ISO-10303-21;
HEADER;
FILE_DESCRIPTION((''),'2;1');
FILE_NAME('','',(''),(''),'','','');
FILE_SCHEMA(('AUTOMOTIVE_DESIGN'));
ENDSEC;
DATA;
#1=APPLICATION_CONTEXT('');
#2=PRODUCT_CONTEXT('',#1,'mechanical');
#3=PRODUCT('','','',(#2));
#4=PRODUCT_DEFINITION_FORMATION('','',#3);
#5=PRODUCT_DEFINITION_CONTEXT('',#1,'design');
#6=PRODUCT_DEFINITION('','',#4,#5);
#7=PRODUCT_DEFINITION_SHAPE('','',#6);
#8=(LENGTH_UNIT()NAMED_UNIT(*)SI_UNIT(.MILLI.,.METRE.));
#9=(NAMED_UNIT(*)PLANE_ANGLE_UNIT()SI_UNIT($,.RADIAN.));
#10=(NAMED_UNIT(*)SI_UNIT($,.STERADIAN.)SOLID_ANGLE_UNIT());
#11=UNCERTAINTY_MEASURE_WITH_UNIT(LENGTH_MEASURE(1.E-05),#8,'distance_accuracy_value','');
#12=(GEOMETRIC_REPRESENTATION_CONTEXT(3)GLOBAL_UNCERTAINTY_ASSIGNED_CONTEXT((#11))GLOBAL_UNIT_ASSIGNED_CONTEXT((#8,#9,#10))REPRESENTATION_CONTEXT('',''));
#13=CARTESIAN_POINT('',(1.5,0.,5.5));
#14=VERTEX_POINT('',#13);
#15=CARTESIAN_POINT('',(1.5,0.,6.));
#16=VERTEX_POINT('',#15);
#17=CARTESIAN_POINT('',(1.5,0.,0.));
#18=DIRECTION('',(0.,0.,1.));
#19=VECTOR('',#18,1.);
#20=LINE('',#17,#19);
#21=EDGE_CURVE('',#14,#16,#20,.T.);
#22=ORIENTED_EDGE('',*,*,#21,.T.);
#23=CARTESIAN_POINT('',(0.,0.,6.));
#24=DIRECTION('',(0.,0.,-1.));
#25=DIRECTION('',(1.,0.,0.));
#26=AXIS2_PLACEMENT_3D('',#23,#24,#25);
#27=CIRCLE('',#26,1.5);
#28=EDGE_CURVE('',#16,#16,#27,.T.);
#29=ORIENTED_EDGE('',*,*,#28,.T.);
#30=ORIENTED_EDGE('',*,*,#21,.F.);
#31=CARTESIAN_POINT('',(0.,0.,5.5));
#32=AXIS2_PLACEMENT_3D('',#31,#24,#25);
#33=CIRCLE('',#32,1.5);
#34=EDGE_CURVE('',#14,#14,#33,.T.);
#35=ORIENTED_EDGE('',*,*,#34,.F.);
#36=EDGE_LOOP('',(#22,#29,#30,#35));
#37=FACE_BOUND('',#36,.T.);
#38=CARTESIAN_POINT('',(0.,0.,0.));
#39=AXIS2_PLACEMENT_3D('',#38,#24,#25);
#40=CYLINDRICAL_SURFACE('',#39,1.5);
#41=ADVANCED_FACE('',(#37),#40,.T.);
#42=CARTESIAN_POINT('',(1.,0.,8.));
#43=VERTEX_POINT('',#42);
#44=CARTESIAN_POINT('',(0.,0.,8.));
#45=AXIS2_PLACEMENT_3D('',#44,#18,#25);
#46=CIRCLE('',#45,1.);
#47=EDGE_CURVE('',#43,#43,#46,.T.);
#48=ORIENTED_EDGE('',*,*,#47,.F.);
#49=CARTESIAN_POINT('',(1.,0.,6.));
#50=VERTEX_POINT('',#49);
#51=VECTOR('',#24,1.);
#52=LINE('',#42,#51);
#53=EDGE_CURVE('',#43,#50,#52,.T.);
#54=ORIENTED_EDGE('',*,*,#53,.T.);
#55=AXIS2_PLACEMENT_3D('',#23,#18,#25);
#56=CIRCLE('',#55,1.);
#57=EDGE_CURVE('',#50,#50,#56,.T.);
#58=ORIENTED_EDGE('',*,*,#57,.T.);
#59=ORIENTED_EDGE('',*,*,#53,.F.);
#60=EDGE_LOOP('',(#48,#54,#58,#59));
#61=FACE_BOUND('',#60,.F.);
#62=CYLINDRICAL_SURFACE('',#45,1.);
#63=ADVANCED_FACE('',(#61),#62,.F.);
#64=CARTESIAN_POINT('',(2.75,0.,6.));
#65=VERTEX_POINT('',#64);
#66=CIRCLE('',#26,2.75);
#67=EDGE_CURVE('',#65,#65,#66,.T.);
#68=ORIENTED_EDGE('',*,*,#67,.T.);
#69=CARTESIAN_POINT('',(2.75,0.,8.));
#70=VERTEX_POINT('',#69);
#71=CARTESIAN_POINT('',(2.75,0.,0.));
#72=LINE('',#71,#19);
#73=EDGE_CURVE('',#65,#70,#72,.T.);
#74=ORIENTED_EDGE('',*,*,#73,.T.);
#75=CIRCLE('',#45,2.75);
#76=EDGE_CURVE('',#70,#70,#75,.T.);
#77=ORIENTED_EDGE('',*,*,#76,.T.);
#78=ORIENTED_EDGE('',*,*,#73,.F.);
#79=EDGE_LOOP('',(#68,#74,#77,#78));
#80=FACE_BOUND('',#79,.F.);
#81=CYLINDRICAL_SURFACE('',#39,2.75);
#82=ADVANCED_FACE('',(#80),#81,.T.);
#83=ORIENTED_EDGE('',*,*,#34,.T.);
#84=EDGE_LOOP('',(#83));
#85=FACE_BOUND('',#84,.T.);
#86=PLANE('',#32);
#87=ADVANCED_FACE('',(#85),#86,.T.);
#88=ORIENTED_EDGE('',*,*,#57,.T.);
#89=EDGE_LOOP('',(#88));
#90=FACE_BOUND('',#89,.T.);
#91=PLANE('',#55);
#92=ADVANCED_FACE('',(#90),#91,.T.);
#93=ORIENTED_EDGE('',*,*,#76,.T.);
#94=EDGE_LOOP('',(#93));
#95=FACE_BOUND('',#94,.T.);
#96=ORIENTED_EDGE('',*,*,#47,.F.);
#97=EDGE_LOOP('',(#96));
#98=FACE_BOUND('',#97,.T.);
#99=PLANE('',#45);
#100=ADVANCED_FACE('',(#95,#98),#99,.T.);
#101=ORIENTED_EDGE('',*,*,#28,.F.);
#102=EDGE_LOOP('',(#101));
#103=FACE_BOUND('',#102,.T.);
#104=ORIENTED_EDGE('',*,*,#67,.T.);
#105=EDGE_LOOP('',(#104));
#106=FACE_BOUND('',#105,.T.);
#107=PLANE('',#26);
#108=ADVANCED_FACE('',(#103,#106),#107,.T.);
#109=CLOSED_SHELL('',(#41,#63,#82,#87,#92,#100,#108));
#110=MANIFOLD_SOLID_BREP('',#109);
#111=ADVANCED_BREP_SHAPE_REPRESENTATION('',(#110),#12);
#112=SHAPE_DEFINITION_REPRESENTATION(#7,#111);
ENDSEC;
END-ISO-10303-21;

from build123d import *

# Parameters (mm, degrees)
F0_R     = 2.75
F1_DEPTH = 8
F2_R     = 2.75
F2_R_2   = 1.5
F3_DEPTH = 6
F4_R     = 1
F5_DEPTH = 2
F6_R     = 1.5
F7_DEPTH = 5.5


with BuildPart() as f1:
    # F0 (on Top) → F1 (new body)
    with BuildSketch(Plane.XY):
        Circle(F0_R)
    extrude(amount=F1_DEPTH)

    # F2 (on face) → F3 (cut)
    with BuildSketch(Plane(origin=(0, 0, 0), x_dir=(1, 0, 0), z_dir=(0, 0, -1))):
        Circle(F2_R)
        Circle(F2_R_2, mode=Mode.SUBTRACT)
    extrude(amount=-F3_DEPTH, mode=Mode.SUBTRACT)

    # F4 (on face) → F5 (cut)
    with BuildSketch(Plane.XY.offset(8)):
        Circle(F4_R)
    extrude(amount=-F5_DEPTH, mode=Mode.SUBTRACT)

    # F6 (on face) → F7 (cut)
    with BuildSketch(Plane(origin=(0, 0, 0), x_dir=(1, 0, 0), z_dir=(0, 0, -1))):
        Circle(F6_R)
    extrude(amount=-F7_DEPTH, mode=Mode.SUBTRACT)


solid = f1.part
